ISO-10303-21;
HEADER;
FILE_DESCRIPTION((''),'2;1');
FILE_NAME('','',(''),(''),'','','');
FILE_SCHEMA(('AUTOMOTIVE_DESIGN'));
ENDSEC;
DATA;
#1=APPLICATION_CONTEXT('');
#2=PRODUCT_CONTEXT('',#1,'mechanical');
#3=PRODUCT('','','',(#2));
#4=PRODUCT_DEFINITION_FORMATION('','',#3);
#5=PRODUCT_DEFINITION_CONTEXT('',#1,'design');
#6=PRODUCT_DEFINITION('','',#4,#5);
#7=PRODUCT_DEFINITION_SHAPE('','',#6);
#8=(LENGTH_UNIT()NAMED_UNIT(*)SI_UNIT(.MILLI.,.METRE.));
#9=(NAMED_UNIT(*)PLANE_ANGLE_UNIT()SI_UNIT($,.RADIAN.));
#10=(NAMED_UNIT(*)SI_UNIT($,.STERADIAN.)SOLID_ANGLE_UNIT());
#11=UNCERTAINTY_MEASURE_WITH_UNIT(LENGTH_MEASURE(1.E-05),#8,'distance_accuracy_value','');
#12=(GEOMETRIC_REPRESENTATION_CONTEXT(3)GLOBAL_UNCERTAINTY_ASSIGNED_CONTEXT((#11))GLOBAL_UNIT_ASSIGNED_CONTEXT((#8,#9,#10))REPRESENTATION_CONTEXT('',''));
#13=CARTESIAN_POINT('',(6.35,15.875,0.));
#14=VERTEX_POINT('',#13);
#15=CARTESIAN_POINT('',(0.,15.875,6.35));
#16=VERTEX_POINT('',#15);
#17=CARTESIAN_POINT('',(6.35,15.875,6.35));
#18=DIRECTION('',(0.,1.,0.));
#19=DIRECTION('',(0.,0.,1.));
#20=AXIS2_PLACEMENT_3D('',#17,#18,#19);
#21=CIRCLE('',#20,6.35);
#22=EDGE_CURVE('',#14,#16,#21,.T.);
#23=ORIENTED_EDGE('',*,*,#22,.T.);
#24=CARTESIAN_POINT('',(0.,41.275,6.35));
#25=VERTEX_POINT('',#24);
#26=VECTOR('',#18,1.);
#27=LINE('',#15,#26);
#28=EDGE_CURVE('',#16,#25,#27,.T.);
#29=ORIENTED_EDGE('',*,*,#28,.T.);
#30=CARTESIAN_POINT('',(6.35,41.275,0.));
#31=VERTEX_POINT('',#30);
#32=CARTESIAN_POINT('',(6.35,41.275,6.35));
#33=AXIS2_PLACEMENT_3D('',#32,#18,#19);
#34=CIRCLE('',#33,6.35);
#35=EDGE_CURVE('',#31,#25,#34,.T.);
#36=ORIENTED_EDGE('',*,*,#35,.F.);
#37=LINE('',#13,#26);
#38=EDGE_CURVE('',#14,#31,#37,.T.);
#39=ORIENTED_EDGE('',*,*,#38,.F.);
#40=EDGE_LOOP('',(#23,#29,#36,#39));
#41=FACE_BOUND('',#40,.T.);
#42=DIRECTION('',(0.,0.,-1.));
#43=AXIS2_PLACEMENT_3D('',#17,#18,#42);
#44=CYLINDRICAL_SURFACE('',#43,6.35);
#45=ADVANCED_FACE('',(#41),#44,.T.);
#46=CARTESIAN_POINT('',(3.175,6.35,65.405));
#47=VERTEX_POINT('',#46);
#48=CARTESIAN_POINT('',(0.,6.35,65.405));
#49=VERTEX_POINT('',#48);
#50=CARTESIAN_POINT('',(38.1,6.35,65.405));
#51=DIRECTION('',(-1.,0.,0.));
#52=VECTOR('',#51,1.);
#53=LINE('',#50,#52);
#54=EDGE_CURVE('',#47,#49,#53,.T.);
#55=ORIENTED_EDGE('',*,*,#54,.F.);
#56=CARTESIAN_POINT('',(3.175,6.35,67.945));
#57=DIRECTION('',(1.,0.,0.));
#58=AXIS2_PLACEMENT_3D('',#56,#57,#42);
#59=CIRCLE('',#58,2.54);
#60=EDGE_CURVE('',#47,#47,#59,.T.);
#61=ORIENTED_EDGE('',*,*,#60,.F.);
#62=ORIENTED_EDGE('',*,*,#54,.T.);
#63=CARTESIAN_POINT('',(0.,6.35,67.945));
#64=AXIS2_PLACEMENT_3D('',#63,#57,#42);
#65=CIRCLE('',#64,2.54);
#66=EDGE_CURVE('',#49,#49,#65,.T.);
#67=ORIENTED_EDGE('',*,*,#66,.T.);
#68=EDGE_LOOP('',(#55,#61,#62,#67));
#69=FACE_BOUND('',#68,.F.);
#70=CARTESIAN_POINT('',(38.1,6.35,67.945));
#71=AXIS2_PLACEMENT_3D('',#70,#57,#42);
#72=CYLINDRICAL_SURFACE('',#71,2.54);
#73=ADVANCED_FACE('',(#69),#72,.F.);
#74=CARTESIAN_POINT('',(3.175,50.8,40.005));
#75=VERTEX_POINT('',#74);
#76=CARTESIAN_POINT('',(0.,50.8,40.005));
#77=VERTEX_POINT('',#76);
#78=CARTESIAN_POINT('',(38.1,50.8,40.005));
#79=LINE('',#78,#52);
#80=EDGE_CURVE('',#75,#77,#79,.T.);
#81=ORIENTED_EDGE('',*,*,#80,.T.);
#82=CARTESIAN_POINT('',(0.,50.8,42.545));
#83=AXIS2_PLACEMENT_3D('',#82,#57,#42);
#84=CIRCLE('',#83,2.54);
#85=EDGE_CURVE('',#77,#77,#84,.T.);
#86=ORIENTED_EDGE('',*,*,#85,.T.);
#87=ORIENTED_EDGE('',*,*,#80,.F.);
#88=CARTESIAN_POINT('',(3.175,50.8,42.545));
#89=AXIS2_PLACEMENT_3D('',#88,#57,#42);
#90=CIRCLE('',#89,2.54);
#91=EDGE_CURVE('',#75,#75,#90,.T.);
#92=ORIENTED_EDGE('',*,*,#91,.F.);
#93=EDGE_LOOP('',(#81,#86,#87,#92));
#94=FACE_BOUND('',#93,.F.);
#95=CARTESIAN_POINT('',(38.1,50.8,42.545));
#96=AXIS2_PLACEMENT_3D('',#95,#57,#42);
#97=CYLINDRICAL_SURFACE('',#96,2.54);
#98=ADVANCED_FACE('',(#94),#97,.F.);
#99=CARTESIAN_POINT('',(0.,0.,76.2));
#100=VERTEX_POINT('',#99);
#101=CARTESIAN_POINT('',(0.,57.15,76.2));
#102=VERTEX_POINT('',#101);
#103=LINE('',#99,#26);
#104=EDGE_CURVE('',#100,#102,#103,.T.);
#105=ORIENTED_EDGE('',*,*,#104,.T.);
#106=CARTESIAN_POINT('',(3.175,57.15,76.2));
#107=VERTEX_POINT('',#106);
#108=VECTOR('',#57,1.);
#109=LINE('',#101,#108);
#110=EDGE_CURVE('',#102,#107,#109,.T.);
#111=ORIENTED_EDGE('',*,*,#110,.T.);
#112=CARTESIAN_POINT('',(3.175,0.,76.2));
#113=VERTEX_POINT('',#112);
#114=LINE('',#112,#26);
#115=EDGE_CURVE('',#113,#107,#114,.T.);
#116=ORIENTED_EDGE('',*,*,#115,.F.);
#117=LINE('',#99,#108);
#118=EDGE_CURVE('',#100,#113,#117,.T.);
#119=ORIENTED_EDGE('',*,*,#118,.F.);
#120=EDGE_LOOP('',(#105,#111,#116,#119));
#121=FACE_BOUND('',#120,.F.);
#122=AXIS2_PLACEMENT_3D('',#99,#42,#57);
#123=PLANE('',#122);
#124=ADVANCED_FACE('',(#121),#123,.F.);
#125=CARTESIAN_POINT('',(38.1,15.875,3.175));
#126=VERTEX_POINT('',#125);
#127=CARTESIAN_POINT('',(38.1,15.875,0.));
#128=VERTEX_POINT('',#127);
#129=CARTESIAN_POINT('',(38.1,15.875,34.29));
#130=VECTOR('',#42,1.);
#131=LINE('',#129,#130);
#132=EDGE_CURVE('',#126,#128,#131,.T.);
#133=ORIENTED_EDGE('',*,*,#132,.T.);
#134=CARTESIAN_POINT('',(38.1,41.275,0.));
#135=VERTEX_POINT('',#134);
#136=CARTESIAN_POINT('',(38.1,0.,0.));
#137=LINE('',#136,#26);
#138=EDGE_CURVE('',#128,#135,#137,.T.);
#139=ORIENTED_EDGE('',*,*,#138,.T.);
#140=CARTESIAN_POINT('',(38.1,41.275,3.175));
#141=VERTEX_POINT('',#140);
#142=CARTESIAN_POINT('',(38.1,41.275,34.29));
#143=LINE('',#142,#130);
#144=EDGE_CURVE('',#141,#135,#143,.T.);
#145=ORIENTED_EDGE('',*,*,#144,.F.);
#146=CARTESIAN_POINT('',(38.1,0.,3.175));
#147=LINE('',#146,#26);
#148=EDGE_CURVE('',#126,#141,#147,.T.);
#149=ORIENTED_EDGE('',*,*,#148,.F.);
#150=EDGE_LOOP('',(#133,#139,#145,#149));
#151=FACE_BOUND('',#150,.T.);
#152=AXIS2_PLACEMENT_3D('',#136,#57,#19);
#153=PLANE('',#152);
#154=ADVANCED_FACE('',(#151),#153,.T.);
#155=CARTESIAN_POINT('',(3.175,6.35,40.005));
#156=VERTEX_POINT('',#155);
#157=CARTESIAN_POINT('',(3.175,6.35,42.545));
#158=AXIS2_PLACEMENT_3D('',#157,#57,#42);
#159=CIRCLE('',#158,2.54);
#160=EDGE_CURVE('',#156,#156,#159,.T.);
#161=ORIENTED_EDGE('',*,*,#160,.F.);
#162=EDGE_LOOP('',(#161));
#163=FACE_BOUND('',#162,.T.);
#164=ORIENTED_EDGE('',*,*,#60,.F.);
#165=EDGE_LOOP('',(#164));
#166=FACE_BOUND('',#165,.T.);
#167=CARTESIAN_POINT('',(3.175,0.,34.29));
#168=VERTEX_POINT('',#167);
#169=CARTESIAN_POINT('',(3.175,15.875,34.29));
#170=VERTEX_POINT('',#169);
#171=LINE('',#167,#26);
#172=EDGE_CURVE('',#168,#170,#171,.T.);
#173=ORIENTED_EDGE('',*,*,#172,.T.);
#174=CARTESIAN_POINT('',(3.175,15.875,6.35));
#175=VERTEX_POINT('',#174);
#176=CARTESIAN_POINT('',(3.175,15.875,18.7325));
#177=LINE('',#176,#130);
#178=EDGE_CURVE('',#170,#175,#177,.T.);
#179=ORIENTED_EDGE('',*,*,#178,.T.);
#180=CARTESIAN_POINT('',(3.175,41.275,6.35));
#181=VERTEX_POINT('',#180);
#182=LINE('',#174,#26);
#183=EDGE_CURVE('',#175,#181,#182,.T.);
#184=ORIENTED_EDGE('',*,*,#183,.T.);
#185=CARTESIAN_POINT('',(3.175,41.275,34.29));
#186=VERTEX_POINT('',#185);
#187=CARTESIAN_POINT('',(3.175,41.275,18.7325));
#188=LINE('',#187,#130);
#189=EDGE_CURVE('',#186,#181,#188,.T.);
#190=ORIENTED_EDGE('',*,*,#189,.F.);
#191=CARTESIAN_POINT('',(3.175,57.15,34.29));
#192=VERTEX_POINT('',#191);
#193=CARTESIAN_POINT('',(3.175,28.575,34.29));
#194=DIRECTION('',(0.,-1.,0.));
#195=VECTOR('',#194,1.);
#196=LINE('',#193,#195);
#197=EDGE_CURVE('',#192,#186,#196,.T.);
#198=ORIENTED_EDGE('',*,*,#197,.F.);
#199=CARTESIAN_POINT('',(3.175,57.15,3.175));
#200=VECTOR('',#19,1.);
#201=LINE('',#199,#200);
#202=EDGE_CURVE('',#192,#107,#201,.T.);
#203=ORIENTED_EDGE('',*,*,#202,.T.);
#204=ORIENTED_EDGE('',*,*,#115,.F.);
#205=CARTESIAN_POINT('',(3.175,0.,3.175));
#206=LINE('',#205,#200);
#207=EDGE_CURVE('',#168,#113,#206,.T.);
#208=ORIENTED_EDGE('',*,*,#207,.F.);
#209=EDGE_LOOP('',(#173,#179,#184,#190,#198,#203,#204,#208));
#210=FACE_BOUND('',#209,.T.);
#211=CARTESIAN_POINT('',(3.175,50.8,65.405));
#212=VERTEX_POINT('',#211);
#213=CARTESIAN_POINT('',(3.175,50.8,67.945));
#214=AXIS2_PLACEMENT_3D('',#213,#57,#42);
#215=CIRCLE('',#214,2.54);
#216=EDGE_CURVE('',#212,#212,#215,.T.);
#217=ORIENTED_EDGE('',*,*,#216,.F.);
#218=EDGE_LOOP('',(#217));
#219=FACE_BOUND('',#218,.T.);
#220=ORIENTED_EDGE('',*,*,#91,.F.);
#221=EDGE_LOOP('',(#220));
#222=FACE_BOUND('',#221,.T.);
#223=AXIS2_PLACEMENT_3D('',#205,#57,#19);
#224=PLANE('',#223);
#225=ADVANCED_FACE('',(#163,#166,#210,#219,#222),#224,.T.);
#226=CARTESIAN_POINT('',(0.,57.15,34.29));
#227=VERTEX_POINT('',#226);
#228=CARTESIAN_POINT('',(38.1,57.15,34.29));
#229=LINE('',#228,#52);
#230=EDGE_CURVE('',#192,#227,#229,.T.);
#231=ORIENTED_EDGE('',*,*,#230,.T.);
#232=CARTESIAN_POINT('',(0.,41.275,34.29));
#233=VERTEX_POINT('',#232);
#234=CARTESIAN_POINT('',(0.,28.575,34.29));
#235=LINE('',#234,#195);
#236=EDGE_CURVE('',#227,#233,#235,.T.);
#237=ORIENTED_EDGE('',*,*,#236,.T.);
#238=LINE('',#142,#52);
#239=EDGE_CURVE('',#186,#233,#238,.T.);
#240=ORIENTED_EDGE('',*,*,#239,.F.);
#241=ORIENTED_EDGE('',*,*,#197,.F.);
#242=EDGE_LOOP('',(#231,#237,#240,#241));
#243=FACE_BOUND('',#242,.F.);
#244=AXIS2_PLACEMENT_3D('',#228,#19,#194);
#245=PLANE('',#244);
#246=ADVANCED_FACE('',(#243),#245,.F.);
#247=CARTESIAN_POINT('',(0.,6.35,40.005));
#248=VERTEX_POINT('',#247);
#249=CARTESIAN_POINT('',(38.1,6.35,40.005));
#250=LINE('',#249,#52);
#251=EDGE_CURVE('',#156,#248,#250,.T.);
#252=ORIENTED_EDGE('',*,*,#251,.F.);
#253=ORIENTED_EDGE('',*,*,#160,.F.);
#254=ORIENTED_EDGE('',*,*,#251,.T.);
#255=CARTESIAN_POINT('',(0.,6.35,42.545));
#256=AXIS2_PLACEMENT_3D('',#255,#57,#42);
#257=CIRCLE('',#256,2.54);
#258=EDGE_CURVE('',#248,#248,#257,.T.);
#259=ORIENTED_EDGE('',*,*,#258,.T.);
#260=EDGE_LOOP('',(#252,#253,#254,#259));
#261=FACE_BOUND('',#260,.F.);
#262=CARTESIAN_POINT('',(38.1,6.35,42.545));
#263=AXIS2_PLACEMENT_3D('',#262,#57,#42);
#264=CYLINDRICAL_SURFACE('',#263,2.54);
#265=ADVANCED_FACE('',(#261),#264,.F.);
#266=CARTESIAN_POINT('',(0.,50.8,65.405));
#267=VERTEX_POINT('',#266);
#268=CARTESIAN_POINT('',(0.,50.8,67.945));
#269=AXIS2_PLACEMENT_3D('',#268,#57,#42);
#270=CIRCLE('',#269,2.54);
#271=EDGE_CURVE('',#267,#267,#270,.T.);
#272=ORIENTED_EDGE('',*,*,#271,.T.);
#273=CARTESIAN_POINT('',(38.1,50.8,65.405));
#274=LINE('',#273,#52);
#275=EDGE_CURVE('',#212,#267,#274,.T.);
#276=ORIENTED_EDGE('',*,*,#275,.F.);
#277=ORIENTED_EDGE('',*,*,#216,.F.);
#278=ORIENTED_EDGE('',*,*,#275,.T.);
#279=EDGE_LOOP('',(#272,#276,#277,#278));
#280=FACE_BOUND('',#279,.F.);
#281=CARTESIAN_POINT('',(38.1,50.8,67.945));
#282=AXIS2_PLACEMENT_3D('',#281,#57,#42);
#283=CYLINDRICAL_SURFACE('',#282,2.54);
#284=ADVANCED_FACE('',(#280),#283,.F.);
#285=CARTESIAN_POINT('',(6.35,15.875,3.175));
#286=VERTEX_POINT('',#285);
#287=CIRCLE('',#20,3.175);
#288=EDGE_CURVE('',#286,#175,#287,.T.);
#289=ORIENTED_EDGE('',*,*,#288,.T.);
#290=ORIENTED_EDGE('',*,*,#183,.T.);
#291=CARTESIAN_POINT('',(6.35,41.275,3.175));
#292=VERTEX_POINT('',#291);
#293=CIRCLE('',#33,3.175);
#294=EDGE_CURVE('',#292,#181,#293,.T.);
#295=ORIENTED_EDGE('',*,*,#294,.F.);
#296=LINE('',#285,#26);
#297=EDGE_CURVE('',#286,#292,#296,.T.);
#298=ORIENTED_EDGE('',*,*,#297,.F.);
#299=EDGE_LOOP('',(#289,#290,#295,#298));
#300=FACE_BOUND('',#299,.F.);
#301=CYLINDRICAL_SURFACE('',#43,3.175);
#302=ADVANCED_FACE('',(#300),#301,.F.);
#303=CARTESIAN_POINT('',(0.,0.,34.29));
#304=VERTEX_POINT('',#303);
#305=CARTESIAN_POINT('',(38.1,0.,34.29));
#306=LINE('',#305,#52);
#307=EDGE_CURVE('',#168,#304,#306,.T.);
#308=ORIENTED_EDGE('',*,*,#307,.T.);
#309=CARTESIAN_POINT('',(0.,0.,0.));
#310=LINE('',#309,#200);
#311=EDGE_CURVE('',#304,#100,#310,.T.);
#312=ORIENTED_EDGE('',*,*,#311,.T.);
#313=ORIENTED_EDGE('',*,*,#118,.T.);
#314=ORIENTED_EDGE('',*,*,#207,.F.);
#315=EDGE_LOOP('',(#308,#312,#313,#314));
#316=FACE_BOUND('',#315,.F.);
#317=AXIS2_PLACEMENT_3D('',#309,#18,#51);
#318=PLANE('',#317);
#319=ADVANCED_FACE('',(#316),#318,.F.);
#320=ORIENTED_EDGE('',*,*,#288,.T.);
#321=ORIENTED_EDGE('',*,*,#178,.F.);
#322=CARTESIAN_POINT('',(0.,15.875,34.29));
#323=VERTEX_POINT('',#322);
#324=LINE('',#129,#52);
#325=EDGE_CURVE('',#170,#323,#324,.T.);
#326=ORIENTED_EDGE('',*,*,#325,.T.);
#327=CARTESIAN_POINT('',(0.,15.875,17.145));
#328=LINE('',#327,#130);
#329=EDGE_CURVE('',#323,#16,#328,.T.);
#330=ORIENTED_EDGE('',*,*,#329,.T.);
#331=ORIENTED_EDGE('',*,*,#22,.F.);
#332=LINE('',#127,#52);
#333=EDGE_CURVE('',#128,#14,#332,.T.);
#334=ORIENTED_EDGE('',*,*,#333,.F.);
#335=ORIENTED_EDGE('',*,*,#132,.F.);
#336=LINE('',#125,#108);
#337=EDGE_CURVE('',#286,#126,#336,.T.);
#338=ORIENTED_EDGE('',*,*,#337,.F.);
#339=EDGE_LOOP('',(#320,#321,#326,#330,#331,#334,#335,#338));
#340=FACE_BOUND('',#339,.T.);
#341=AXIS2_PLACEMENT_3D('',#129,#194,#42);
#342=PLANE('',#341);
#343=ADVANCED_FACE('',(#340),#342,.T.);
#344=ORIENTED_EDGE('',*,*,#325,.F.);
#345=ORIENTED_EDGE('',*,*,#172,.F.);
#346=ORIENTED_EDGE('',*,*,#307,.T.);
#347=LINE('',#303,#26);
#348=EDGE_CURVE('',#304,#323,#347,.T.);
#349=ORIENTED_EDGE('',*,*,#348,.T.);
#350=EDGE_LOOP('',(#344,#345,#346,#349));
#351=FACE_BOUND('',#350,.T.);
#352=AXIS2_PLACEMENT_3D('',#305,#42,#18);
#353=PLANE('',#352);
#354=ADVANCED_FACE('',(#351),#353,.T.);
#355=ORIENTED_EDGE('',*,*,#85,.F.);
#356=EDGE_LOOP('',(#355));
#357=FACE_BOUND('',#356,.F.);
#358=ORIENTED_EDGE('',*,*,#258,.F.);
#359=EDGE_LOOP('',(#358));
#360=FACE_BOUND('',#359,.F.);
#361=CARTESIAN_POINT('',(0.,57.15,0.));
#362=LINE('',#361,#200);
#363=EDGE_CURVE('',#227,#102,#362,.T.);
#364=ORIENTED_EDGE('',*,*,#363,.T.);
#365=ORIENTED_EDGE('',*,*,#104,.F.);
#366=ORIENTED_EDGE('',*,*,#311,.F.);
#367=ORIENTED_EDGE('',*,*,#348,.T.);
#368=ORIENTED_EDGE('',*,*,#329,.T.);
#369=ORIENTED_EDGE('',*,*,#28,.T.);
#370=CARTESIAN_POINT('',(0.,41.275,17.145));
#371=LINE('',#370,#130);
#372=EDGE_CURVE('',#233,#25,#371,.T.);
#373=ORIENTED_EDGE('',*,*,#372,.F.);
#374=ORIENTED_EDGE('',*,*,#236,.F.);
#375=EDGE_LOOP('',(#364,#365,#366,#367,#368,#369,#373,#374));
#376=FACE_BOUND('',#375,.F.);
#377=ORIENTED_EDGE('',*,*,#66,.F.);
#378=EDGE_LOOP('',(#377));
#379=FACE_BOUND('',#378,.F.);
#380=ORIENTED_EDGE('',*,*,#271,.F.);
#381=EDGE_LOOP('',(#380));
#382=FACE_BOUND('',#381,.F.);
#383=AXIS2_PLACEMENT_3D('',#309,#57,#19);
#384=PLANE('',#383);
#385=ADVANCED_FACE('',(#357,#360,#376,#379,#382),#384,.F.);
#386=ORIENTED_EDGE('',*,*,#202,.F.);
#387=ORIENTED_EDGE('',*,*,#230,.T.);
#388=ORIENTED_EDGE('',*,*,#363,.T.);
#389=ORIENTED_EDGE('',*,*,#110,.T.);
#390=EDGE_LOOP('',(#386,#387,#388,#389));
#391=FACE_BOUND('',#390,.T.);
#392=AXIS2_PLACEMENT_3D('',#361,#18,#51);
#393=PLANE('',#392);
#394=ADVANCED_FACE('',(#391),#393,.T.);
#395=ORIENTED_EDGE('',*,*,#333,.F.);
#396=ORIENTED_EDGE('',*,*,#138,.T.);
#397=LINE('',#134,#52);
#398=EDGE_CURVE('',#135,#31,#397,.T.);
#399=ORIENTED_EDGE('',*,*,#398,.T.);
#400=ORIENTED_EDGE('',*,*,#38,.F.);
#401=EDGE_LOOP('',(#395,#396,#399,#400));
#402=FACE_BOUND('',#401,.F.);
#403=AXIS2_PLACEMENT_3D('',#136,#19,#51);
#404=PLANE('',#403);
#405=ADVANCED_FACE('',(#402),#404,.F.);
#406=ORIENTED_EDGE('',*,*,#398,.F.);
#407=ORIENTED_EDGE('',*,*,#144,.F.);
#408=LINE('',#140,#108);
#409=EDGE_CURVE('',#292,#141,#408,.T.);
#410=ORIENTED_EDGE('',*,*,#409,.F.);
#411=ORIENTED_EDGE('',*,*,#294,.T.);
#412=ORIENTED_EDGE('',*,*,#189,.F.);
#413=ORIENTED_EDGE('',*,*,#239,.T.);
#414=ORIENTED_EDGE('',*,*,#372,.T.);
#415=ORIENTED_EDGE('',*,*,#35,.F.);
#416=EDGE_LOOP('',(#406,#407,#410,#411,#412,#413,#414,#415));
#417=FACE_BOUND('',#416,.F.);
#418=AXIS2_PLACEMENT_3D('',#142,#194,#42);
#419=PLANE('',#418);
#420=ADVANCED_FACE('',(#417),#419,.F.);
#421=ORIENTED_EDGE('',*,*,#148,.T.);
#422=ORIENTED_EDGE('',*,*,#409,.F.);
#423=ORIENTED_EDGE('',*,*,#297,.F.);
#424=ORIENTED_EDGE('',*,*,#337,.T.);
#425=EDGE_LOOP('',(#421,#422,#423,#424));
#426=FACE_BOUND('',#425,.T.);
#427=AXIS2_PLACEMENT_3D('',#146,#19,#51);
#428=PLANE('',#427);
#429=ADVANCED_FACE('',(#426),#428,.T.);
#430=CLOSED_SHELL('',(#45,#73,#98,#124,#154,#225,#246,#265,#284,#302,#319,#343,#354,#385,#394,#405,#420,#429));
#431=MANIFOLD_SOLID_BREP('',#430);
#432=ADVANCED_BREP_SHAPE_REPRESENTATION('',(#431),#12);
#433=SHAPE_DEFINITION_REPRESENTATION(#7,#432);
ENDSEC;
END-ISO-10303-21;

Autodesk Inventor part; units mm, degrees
ref_plane "YZ Plane" through (0, 0, 0) normal (1, 0, 0) x (0, 1, 0)
ref_plane "XZ Plane" through (0, 0, 0) normal (0, 1, 0) x (-1, 0, 0)
ref_plane "XY Plane" through (0, 0, 0) normal (0, 0, 1) x (1, 0, 0)
sketch "Sketch1" plane through (0, 0, 0) normal (0, 1, 0) x (-1, 0, 0)
  line L0 (-38.1, 0) -> (0, 0)
  line L1 (0, 0) -> (0, 76.2)
  line L2 (0, 76.2) -> (-3.175, 76.2)
  line L3 (-38.1, 0) -> (-38.1, 3.175)
  line L4 (-38.1, 3.175) -> (-3.175, 3.175)
  line L5 (-3.175, 3.175) -> (-3.175, 76.2)
  dimension "d0" = 38.1
  dimension "d1" = 76.2
  dimension "d2" = 3.175
extrude "Extrusion1" add sketch "Sketch1" along normal blind 57.15
sketch "Sketch2" plane through (38.1, 0, 3.175) normal (1, 0, 0) x (0, 0, -1)
  line L0 (3.175, 57.15) -> (-31.115, 57.15)
  line L1 (-31.115, 57.15) -> (-31.115, 41.275)
  line L2 (-31.115, 41.275) -> (3.175, 41.275)
  line L3 (3.175, 41.275) -> (3.175, 57.15)
  line L4 (3.175, 0) -> (-31.115, 0)
  line L5 (-31.115, 0) -> (-31.115, 15.875)
  line L6 (-31.115, 15.875) -> (3.175, 15.875)
  line L7 (3.175, 15.875) -> (3.175, 0)
  line L8 (-64.77, 50.8) -> (-39.37, 50.8) construction
  line L9 (-39.37, 50.8) -> (-39.37, 6.35) construction
  line L10 (-39.37, 6.35) -> (-64.77, 6.35) construction
  line L11 (-64.77, 6.35) -> (-64.77, 50.8) construction
  line L12 (-52.07, 50.8) -> (-52.07, 57.15) construction
  line L13 (-52.07, 6.35) -> (-52.07, 0) construction
  line L14 (-73.025, 57.15) -> (0, 57.15) construction
  line L15 (0, 0) -> (-73.025, 0) construction
  circle A0 centre (-39.37, 50.8) radius 2.54
  circle A1 centre (-64.77, 50.8) radius 2.54
  circle A2 centre (-39.37, 6.35) radius 2.54
  circle A3 centre (-64.77, 6.35) radius 2.54
  line L16 (-73.025, 0) -> (-73.025, 57.15) construction
  line L17 (-39.37, 50.8) -> (-31.115, 50.8) construction
  line L18 (-64.77, 50.8) -> (-73.025, 50.8) construction
  dimension "d5" = 25.4
  dimension "d6" = 44.45
  dimension "d8" = 5.08
  dimension "d9" = 25.4
  dimension "d10" = 41.91
extrude "Extrusion2" cut sketch "Sketch2" against normal through all
fillet "Fillet1" radius 3.175 1 edges at (3.175, 28.575, 3.175)
fillet "Fillet1" radius 6.35 1 edges at (0, 28.575, 0)
properties part number "motor mount" material "Aluminum 6061"
